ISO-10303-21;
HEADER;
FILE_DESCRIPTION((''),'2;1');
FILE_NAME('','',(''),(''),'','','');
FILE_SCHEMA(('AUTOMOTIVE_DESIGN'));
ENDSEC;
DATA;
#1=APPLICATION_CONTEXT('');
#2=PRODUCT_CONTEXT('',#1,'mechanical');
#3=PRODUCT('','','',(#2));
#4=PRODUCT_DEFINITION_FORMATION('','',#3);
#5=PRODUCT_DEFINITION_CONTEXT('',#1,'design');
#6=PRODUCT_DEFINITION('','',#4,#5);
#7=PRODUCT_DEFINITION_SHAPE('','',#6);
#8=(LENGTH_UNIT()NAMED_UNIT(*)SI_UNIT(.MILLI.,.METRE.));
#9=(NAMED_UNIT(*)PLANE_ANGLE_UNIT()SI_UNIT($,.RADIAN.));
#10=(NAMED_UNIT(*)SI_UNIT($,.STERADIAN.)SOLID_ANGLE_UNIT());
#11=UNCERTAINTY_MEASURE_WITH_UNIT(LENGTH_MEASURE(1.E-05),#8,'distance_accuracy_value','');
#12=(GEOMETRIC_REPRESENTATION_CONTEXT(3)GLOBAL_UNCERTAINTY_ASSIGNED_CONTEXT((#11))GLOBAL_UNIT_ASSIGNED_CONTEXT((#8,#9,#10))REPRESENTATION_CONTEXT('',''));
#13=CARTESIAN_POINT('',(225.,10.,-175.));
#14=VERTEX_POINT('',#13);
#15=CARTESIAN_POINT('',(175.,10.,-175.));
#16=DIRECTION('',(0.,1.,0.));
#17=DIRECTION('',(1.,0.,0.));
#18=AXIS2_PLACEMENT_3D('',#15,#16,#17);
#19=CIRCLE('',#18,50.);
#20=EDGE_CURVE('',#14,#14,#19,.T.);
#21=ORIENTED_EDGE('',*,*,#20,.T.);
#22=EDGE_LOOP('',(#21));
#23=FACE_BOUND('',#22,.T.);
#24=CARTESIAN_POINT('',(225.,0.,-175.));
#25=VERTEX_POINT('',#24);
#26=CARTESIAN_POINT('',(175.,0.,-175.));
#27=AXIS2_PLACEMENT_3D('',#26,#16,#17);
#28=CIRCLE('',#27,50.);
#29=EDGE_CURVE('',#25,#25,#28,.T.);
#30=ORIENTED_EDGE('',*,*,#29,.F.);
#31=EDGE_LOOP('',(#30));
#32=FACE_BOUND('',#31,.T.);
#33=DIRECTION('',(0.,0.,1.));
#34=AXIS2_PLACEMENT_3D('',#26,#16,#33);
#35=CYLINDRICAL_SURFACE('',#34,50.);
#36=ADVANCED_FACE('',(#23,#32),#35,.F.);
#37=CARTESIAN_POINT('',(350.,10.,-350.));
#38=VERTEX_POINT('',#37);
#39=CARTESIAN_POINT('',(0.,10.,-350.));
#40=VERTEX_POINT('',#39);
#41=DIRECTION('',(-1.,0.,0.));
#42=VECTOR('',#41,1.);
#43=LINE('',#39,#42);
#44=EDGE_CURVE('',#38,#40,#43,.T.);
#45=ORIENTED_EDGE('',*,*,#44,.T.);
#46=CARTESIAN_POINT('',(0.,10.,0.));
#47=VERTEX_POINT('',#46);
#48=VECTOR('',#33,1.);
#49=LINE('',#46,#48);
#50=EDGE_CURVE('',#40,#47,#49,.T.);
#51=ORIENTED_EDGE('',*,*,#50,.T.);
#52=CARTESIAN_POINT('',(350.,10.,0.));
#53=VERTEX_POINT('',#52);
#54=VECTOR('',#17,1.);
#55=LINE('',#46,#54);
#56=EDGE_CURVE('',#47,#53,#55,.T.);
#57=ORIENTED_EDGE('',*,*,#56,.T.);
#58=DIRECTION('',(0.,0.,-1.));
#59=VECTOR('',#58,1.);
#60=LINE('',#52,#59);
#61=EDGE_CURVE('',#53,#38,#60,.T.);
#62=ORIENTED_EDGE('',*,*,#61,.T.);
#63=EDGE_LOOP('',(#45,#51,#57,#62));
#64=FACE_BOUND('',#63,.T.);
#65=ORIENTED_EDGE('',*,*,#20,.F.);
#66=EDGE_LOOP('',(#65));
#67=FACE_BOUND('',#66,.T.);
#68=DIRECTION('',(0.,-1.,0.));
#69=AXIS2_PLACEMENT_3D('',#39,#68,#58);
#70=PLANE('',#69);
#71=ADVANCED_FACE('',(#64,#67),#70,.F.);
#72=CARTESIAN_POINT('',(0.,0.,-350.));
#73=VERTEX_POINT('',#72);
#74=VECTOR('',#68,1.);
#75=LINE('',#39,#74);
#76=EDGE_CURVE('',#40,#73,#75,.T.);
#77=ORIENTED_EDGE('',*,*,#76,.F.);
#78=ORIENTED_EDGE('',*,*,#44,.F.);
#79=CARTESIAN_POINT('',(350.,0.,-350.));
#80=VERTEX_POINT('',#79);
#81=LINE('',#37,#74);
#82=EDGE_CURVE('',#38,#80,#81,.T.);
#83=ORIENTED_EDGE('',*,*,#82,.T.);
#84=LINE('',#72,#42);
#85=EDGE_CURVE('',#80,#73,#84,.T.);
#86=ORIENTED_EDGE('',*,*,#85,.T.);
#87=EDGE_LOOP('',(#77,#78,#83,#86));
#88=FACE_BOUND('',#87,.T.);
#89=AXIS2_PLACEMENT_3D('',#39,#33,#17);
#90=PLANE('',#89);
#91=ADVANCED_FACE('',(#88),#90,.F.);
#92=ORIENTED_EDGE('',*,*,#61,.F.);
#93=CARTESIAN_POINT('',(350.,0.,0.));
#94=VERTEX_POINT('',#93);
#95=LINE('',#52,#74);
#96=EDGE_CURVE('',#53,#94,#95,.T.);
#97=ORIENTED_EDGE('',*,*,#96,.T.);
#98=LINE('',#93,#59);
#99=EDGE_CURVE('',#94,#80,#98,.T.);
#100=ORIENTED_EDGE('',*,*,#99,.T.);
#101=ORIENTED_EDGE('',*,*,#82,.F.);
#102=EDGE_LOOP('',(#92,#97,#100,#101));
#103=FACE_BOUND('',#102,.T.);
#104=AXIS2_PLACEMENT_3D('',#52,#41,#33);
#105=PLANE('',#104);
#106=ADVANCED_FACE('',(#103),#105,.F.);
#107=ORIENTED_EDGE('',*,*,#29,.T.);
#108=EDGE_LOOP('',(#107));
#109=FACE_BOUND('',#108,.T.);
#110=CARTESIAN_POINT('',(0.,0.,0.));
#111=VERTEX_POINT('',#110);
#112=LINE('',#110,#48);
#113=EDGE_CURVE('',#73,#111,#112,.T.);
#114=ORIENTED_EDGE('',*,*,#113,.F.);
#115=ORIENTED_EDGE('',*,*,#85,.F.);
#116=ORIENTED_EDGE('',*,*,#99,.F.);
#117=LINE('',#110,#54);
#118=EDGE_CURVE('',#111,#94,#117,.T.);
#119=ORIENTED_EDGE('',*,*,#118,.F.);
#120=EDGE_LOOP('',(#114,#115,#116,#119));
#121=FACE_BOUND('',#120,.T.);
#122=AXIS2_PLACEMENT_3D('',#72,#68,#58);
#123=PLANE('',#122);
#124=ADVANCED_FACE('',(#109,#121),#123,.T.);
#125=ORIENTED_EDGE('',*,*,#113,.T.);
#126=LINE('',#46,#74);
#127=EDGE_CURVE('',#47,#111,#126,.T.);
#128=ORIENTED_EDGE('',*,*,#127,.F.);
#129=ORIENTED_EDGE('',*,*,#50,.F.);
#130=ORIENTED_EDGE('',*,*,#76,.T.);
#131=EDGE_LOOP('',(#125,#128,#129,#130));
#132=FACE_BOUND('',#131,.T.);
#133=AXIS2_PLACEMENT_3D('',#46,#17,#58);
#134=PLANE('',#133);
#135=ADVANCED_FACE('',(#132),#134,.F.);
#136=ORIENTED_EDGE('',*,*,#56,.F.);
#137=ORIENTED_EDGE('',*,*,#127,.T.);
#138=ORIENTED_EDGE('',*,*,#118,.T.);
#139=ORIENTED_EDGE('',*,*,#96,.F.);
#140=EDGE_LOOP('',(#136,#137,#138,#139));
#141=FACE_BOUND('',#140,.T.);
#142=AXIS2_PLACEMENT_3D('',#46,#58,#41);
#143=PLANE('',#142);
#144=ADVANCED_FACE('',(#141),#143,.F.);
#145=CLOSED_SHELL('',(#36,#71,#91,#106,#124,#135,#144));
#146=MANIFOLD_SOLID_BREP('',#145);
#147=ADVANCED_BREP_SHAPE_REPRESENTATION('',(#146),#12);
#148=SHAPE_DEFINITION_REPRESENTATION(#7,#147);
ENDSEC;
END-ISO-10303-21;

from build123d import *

# Parameters (mm, degrees)
ESQUISSE1_W      = 350
ESQUISSE1_H      = 350
EXTRUSION1_DEPTH = 10
ESQUISSE2_R      = 50
EXTRUSION2_DEPTH = 10


with BuildPart() as part:
    # Esquisse1 → Extrusion1 (new body)
    with BuildSketch(Plane(origin=(0, 0, 0), x_dir=(1, 0, 0), z_dir=(0, 1, 0))):
        with Locations((175, 175)):
            Rectangle(ESQUISSE1_W, ESQUISSE1_H)
    extrude(amount=EXTRUSION1_DEPTH)

    # Esquisse2 → Extrusion2 (cut)
    with BuildSketch(Plane(origin=(0, 10, 0), x_dir=(1, 0, 0), z_dir=(0, 1, 0))):
        with Locations((175, 175)):
            Circle(ESQUISSE2_R)
    extrude(amount=-EXTRUSION2_DEPTH, mode=Mode.SUBTRACT)


solid = part.part
